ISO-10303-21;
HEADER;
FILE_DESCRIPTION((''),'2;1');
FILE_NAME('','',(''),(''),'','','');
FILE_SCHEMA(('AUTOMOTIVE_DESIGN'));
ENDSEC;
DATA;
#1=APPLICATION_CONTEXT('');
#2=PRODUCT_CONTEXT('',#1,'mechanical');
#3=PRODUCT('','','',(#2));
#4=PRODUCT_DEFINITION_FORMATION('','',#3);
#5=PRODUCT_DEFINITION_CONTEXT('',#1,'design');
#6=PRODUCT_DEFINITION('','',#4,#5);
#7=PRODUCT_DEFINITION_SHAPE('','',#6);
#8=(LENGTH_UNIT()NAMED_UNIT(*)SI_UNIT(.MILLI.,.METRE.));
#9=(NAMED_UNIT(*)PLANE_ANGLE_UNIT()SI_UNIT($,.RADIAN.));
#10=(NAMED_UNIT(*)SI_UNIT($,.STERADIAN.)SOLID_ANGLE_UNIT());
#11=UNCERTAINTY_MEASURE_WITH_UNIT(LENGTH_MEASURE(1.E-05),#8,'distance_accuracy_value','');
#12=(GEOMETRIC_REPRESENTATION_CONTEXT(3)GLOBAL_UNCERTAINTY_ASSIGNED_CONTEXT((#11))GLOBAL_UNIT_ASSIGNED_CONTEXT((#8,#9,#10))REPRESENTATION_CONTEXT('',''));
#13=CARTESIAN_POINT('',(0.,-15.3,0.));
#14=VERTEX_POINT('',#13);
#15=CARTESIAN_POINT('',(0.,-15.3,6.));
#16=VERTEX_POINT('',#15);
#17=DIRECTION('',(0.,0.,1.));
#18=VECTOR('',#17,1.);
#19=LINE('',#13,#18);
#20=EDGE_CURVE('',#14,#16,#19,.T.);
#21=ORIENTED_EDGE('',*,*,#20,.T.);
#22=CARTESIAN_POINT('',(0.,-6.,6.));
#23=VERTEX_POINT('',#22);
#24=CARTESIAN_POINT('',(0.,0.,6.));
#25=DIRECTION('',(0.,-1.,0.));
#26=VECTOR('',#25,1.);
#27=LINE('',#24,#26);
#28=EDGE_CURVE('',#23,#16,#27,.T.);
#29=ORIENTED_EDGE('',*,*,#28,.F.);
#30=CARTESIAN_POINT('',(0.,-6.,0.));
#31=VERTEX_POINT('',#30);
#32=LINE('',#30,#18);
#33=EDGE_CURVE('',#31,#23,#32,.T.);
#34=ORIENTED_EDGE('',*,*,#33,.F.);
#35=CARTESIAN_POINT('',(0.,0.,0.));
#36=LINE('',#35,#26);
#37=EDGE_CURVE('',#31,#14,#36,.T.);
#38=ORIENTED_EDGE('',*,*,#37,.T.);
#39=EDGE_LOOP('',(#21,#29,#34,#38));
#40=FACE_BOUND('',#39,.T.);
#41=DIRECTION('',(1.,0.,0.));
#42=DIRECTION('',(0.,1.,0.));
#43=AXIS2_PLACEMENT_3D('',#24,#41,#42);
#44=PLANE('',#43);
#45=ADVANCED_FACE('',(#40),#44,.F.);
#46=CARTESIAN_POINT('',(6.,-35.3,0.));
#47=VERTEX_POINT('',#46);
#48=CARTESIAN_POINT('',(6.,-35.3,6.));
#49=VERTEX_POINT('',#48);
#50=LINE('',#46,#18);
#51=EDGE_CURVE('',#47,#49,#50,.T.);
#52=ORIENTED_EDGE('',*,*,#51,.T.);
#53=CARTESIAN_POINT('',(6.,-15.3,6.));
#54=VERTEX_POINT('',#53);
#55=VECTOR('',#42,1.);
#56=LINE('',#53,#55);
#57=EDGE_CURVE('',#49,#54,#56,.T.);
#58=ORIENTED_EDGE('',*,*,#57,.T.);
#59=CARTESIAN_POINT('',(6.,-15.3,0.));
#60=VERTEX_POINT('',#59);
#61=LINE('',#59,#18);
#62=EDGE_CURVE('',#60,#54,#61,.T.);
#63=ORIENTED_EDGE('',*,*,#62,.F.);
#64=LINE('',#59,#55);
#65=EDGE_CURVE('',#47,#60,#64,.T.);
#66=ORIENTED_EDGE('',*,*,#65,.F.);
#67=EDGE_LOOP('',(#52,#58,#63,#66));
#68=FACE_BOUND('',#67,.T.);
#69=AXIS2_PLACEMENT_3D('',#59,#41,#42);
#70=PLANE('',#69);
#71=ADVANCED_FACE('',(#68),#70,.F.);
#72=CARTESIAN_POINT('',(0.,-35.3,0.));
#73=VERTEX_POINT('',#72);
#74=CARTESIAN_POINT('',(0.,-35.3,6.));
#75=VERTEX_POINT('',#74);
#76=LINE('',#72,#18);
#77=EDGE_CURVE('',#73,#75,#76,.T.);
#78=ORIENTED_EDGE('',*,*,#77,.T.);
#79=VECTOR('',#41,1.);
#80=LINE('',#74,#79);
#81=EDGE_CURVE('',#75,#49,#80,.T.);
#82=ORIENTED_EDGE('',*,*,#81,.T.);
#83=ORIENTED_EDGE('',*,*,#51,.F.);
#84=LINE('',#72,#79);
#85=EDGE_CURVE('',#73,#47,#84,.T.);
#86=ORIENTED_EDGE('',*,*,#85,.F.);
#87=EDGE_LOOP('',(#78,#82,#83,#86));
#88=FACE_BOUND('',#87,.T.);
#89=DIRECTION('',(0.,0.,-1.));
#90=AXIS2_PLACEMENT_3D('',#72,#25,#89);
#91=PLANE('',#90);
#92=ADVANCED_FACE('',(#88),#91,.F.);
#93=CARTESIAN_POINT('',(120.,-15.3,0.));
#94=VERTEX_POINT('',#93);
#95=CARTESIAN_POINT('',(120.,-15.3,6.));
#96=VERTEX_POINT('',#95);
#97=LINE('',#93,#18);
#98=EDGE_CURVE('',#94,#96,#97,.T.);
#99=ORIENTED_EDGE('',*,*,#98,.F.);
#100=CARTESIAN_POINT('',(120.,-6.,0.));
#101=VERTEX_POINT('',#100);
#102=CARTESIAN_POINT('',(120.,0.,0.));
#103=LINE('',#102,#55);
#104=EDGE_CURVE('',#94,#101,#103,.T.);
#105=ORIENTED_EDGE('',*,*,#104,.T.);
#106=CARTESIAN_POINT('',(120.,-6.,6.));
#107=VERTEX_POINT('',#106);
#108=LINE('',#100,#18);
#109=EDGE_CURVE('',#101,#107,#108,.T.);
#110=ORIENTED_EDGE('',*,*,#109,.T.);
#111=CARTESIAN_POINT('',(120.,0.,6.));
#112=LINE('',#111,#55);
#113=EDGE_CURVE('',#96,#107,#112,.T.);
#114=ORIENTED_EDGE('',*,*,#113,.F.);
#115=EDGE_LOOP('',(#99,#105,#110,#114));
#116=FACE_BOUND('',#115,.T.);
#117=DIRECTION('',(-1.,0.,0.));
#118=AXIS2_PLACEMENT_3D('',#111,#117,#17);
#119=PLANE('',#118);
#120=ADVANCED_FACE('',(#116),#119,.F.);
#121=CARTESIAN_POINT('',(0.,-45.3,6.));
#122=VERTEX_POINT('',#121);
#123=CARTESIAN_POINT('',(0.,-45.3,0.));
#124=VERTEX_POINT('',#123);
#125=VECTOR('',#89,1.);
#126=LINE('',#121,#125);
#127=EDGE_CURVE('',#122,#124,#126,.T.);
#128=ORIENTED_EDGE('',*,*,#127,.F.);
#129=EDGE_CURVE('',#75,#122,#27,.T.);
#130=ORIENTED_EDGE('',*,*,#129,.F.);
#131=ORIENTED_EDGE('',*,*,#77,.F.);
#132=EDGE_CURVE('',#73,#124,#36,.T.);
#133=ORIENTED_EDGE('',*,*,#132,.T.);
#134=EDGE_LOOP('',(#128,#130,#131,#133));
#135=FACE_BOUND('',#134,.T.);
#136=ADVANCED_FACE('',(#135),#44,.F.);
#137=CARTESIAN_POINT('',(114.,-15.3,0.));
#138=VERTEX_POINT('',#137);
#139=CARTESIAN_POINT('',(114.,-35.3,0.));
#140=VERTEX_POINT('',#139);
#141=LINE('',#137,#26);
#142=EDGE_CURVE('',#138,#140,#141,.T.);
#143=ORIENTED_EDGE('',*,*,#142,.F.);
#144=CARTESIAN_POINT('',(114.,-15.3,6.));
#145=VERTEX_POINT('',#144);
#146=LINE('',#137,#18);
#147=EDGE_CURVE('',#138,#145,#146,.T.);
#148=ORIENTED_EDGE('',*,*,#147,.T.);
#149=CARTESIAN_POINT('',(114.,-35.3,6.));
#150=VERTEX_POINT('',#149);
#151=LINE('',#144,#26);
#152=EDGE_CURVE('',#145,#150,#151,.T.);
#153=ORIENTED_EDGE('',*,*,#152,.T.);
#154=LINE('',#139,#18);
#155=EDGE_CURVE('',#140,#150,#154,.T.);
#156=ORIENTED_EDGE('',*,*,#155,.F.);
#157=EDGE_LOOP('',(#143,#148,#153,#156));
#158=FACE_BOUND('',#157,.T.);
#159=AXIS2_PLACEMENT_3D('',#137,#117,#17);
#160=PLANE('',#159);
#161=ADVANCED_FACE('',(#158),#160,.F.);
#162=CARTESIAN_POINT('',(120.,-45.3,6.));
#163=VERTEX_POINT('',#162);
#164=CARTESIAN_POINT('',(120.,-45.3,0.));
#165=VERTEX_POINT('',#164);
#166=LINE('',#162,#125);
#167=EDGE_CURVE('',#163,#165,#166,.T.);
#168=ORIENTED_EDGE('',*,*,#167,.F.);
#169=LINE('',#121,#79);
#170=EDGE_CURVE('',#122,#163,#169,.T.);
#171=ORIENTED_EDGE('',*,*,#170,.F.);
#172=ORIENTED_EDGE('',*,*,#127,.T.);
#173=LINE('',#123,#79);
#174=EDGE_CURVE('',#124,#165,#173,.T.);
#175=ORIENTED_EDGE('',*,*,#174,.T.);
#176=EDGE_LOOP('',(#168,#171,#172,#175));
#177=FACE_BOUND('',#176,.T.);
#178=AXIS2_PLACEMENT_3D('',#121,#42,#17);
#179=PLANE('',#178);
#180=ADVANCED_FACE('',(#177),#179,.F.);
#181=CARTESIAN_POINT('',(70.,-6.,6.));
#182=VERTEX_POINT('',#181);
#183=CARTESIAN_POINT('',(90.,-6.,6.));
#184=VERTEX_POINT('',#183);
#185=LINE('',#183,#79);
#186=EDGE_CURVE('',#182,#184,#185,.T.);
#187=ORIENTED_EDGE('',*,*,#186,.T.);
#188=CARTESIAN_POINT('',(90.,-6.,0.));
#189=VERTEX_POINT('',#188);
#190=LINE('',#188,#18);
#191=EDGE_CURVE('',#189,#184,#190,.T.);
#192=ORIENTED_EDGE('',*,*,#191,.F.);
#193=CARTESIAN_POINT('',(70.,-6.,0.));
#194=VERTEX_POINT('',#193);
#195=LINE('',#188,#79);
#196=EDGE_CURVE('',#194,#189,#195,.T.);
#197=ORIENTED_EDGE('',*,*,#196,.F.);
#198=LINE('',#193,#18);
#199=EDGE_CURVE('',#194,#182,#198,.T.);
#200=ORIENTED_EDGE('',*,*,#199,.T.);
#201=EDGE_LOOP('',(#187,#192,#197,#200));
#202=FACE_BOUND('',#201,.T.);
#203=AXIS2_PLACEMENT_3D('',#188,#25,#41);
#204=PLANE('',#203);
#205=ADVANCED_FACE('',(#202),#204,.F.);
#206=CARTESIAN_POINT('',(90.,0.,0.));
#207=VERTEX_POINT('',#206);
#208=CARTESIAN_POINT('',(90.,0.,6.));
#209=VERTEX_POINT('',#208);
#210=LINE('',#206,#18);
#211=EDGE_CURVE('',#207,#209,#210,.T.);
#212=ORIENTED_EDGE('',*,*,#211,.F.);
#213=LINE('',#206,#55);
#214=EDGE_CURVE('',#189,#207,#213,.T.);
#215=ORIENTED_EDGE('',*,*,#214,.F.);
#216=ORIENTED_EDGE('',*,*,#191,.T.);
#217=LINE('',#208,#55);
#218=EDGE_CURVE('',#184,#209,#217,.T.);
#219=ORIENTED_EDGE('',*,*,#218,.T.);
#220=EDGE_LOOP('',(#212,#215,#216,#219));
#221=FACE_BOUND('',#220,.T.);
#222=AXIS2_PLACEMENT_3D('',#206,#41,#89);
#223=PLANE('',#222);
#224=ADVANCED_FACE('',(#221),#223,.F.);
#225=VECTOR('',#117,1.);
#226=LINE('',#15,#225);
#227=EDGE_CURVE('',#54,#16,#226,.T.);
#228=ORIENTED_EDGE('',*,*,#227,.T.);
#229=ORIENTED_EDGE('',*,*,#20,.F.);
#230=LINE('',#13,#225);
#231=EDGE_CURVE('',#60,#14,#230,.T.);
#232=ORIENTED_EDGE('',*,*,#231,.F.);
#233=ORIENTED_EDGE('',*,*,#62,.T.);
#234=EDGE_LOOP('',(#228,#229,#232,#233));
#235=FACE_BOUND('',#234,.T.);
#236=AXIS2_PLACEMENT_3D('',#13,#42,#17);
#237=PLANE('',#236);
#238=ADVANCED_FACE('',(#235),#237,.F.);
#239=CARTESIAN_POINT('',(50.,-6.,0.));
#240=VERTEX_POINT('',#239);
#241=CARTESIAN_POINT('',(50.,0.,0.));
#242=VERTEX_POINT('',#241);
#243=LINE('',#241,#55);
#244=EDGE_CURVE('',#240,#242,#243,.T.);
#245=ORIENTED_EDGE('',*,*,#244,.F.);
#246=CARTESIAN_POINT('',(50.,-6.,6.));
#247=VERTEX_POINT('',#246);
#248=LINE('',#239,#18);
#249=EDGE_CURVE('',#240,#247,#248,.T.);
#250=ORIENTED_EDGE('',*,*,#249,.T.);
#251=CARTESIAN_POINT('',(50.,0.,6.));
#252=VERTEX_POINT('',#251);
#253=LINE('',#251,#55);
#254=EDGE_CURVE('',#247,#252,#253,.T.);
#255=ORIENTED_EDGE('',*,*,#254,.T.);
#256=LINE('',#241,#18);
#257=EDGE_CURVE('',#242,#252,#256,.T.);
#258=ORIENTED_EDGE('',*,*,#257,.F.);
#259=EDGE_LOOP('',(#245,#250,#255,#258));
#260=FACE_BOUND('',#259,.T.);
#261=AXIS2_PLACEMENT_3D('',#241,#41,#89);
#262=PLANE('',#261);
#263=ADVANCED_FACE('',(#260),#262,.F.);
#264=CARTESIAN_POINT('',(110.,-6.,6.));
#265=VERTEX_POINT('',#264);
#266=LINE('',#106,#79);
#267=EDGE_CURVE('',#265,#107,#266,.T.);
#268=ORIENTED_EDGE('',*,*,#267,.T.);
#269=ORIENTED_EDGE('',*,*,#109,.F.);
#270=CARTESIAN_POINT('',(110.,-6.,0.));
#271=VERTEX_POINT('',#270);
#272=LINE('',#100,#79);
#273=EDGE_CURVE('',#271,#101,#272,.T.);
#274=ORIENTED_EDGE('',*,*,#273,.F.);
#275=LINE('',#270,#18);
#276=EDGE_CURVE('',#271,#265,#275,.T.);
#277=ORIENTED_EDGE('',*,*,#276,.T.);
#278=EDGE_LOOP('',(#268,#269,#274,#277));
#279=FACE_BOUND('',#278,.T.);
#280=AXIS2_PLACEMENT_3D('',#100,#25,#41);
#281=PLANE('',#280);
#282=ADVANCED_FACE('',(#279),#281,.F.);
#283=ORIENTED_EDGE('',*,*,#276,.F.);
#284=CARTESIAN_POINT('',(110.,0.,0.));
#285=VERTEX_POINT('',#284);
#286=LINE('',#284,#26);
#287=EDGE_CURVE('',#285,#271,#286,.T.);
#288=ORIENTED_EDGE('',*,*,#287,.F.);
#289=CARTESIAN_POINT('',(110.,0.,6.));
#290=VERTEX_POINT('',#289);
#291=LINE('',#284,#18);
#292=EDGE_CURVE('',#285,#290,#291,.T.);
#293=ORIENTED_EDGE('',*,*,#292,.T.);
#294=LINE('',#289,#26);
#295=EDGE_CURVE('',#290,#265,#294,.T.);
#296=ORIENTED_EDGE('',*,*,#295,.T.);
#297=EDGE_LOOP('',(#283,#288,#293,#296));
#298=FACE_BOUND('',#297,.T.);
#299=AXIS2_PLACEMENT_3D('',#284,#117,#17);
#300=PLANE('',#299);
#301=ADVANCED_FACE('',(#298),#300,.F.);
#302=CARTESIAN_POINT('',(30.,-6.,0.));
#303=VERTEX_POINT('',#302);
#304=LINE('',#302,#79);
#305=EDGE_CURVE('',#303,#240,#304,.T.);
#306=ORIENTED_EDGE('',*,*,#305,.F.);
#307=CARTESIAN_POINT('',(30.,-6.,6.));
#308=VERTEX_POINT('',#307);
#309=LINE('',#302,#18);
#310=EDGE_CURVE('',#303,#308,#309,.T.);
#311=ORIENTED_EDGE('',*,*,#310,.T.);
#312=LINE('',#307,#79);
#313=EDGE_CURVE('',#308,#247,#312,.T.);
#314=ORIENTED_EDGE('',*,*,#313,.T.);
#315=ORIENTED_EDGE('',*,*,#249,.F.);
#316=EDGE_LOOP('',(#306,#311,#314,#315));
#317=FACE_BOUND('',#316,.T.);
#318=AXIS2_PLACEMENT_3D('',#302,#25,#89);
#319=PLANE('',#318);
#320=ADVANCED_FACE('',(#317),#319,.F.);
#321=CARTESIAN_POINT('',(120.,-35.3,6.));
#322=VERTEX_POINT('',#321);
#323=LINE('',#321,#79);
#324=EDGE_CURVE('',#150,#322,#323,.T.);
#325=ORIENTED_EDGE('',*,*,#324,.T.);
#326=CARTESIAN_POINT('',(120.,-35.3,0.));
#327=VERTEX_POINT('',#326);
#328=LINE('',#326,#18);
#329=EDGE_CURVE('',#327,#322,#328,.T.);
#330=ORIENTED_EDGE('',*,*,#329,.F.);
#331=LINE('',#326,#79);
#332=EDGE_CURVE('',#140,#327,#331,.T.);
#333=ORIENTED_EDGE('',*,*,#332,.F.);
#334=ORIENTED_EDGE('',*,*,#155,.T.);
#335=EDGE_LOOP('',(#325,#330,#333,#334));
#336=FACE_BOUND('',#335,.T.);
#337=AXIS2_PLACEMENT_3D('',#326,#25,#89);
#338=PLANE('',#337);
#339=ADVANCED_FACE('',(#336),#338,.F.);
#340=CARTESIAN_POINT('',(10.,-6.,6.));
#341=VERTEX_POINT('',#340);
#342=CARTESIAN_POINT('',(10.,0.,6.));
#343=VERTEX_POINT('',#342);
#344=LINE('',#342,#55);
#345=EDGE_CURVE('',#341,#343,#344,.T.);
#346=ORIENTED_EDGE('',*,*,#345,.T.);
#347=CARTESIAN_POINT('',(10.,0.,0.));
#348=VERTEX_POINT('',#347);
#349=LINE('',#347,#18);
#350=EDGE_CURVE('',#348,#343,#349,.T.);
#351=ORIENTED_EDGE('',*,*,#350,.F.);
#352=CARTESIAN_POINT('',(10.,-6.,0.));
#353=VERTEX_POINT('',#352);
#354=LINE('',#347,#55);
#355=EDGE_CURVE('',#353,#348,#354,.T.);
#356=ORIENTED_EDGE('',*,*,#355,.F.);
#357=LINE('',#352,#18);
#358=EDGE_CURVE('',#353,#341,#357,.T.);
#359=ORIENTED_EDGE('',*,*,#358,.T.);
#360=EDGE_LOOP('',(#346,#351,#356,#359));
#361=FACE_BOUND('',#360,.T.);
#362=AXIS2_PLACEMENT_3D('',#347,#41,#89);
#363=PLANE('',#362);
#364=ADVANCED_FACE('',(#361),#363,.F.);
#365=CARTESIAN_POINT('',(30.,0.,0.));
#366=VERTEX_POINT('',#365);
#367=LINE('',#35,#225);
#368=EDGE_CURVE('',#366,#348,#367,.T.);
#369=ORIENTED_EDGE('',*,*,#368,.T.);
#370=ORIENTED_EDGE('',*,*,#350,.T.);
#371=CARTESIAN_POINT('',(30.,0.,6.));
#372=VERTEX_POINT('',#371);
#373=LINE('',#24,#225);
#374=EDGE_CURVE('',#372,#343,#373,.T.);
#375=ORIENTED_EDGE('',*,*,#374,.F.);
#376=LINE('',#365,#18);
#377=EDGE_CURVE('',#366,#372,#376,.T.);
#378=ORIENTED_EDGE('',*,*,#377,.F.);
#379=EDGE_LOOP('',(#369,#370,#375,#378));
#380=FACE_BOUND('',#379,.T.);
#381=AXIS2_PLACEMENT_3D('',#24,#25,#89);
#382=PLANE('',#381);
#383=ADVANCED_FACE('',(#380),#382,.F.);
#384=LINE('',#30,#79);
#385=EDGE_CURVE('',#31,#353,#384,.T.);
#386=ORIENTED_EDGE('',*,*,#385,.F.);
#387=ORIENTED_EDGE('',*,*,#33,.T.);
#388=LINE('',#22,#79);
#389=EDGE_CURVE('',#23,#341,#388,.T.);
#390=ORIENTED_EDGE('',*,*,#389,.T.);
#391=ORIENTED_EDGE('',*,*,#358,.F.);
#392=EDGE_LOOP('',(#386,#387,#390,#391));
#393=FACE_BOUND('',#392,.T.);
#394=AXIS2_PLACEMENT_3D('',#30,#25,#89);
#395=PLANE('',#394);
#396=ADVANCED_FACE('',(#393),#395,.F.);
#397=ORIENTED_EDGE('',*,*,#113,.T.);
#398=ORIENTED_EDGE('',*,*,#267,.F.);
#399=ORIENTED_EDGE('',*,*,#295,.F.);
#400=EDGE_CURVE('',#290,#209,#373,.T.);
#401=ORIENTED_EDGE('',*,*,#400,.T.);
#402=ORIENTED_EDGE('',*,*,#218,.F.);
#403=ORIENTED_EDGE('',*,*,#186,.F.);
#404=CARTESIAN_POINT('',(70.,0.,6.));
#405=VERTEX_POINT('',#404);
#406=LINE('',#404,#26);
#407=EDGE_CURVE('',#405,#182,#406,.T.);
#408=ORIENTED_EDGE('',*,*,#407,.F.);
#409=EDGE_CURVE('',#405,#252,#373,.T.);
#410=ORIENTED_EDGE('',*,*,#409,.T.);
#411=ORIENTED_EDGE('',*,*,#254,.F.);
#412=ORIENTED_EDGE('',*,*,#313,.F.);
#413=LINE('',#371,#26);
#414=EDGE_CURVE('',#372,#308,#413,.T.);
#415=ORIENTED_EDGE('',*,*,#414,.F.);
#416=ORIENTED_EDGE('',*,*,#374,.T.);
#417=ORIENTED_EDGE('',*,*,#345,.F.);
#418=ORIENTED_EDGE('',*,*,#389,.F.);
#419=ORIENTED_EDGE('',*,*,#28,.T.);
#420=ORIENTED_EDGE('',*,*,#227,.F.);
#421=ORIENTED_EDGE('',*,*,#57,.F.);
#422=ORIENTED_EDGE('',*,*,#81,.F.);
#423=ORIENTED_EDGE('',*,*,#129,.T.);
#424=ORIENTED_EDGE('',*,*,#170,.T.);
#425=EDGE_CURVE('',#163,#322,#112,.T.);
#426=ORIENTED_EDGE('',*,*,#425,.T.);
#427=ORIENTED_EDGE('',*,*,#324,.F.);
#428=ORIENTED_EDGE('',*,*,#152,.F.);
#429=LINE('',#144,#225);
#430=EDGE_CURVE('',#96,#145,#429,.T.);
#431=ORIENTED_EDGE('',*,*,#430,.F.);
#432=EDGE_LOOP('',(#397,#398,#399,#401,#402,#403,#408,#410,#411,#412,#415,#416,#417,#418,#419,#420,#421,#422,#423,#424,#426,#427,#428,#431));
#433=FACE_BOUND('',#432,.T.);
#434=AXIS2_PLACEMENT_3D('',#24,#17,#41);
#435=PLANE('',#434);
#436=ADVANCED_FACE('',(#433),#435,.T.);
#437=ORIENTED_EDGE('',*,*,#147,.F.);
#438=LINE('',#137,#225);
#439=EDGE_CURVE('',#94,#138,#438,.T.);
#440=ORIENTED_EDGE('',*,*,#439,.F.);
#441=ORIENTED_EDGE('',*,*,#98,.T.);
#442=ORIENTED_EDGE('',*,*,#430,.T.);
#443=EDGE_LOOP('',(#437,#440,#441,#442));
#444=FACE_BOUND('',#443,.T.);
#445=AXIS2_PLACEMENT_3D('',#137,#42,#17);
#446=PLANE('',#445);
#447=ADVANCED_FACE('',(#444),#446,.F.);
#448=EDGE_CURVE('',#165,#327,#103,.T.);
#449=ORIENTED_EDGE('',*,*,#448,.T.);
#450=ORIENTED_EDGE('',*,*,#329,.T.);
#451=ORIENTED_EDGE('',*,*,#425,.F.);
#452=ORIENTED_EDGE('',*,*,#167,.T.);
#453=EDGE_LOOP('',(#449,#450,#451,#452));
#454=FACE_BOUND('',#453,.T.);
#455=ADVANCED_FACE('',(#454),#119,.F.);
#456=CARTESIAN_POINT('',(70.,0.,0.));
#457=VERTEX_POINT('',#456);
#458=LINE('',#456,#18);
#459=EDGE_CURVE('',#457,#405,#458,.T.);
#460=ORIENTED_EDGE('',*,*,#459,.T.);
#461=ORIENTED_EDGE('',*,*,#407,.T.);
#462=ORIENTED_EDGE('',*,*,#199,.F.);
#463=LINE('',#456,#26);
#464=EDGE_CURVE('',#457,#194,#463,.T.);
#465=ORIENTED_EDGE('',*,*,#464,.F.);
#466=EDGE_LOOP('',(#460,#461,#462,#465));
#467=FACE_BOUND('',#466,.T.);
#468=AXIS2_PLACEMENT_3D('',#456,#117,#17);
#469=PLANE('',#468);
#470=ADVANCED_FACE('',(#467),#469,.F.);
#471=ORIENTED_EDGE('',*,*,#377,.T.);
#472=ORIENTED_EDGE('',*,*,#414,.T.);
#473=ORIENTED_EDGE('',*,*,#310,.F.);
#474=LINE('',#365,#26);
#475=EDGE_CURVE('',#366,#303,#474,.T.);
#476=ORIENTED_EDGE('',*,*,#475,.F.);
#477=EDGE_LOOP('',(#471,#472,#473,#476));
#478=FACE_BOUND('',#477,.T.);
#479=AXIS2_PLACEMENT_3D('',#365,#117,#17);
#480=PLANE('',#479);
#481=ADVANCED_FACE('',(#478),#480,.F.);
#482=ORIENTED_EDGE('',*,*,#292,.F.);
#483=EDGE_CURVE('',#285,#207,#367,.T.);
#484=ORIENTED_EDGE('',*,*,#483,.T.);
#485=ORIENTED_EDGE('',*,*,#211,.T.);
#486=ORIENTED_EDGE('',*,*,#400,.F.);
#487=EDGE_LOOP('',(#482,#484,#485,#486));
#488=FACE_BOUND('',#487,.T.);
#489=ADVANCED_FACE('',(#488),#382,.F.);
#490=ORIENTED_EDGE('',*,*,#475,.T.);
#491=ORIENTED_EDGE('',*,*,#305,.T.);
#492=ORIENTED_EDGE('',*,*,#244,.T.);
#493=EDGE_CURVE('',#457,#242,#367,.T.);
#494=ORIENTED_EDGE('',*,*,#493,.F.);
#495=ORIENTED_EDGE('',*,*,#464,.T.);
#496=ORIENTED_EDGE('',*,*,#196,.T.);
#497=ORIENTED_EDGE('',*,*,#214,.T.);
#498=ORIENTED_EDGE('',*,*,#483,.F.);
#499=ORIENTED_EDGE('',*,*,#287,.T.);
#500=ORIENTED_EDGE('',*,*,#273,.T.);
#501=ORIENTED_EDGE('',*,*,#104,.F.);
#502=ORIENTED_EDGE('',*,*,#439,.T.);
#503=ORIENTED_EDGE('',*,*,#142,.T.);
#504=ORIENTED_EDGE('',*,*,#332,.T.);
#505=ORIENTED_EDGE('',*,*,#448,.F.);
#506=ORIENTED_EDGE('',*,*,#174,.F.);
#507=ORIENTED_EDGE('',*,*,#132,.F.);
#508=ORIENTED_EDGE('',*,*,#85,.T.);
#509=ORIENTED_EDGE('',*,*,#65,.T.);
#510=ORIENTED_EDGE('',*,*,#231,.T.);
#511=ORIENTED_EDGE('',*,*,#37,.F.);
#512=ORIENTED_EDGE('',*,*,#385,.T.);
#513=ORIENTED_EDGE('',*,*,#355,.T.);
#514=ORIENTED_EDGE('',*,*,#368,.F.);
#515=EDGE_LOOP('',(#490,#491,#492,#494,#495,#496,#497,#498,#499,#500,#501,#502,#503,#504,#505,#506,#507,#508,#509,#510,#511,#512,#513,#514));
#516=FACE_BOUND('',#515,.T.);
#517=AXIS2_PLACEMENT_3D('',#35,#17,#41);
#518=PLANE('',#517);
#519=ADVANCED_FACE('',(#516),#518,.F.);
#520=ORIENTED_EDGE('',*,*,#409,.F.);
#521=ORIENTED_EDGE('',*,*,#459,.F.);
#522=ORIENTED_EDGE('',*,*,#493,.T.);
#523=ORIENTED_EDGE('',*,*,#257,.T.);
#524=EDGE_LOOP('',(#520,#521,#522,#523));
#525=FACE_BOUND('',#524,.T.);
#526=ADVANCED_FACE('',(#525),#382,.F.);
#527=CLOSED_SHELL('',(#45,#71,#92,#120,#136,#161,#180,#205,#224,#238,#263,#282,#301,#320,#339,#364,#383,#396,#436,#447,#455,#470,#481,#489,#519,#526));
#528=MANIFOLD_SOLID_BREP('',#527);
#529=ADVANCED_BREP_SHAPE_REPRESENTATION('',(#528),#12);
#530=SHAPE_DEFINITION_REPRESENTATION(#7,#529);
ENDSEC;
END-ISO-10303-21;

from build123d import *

# Parameters (mm, degrees)
SKETCH1_W           = 120
SKETCH1_H           = 45.3
BOSS_EXTRUDE1_DEPTH = 6
SKETCH2_W           = 10
SKETCH2_H           = 6
SKETCH2_W_2         = 20
SKETCH2_W_3         = 6
SKETCH2_H_2         = 20
CUT_EXTRUDE1_DEPTH  = 6


with BuildPart() as part:
    # Sketch1 → Boss-Extrude1 (new body)
    with BuildSketch(Plane.XY):
        with Locations((60, -22.65)):
            Rectangle(SKETCH1_W, SKETCH1_H)
    extrude(amount=BOSS_EXTRUDE1_DEPTH)

    # Sketch2 → Cut-Extrude1 (cut)
    with BuildSketch(Plane.XY.offset(6)):
        with Locations((5, -3)):
            Rectangle(SKETCH2_W, SKETCH2_H)
        with Locations((40, -3)):
            Rectangle(SKETCH2_W_2, SKETCH2_H)
        with Locations((80, -3)):
            Rectangle(SKETCH2_W_2, SKETCH2_H)
        with Locations((115, -3)):
            Rectangle(SKETCH2_W, SKETCH2_H)
        with Locations((117, -25.3)):
            Rectangle(SKETCH2_W_3, SKETCH2_H_2)
        with Locations((3, -25.3)):
            Rectangle(SKETCH2_W_3, SKETCH2_H_2)
    extrude(amount=-CUT_EXTRUDE1_DEPTH, mode=Mode.SUBTRACT)


solid = part.part
